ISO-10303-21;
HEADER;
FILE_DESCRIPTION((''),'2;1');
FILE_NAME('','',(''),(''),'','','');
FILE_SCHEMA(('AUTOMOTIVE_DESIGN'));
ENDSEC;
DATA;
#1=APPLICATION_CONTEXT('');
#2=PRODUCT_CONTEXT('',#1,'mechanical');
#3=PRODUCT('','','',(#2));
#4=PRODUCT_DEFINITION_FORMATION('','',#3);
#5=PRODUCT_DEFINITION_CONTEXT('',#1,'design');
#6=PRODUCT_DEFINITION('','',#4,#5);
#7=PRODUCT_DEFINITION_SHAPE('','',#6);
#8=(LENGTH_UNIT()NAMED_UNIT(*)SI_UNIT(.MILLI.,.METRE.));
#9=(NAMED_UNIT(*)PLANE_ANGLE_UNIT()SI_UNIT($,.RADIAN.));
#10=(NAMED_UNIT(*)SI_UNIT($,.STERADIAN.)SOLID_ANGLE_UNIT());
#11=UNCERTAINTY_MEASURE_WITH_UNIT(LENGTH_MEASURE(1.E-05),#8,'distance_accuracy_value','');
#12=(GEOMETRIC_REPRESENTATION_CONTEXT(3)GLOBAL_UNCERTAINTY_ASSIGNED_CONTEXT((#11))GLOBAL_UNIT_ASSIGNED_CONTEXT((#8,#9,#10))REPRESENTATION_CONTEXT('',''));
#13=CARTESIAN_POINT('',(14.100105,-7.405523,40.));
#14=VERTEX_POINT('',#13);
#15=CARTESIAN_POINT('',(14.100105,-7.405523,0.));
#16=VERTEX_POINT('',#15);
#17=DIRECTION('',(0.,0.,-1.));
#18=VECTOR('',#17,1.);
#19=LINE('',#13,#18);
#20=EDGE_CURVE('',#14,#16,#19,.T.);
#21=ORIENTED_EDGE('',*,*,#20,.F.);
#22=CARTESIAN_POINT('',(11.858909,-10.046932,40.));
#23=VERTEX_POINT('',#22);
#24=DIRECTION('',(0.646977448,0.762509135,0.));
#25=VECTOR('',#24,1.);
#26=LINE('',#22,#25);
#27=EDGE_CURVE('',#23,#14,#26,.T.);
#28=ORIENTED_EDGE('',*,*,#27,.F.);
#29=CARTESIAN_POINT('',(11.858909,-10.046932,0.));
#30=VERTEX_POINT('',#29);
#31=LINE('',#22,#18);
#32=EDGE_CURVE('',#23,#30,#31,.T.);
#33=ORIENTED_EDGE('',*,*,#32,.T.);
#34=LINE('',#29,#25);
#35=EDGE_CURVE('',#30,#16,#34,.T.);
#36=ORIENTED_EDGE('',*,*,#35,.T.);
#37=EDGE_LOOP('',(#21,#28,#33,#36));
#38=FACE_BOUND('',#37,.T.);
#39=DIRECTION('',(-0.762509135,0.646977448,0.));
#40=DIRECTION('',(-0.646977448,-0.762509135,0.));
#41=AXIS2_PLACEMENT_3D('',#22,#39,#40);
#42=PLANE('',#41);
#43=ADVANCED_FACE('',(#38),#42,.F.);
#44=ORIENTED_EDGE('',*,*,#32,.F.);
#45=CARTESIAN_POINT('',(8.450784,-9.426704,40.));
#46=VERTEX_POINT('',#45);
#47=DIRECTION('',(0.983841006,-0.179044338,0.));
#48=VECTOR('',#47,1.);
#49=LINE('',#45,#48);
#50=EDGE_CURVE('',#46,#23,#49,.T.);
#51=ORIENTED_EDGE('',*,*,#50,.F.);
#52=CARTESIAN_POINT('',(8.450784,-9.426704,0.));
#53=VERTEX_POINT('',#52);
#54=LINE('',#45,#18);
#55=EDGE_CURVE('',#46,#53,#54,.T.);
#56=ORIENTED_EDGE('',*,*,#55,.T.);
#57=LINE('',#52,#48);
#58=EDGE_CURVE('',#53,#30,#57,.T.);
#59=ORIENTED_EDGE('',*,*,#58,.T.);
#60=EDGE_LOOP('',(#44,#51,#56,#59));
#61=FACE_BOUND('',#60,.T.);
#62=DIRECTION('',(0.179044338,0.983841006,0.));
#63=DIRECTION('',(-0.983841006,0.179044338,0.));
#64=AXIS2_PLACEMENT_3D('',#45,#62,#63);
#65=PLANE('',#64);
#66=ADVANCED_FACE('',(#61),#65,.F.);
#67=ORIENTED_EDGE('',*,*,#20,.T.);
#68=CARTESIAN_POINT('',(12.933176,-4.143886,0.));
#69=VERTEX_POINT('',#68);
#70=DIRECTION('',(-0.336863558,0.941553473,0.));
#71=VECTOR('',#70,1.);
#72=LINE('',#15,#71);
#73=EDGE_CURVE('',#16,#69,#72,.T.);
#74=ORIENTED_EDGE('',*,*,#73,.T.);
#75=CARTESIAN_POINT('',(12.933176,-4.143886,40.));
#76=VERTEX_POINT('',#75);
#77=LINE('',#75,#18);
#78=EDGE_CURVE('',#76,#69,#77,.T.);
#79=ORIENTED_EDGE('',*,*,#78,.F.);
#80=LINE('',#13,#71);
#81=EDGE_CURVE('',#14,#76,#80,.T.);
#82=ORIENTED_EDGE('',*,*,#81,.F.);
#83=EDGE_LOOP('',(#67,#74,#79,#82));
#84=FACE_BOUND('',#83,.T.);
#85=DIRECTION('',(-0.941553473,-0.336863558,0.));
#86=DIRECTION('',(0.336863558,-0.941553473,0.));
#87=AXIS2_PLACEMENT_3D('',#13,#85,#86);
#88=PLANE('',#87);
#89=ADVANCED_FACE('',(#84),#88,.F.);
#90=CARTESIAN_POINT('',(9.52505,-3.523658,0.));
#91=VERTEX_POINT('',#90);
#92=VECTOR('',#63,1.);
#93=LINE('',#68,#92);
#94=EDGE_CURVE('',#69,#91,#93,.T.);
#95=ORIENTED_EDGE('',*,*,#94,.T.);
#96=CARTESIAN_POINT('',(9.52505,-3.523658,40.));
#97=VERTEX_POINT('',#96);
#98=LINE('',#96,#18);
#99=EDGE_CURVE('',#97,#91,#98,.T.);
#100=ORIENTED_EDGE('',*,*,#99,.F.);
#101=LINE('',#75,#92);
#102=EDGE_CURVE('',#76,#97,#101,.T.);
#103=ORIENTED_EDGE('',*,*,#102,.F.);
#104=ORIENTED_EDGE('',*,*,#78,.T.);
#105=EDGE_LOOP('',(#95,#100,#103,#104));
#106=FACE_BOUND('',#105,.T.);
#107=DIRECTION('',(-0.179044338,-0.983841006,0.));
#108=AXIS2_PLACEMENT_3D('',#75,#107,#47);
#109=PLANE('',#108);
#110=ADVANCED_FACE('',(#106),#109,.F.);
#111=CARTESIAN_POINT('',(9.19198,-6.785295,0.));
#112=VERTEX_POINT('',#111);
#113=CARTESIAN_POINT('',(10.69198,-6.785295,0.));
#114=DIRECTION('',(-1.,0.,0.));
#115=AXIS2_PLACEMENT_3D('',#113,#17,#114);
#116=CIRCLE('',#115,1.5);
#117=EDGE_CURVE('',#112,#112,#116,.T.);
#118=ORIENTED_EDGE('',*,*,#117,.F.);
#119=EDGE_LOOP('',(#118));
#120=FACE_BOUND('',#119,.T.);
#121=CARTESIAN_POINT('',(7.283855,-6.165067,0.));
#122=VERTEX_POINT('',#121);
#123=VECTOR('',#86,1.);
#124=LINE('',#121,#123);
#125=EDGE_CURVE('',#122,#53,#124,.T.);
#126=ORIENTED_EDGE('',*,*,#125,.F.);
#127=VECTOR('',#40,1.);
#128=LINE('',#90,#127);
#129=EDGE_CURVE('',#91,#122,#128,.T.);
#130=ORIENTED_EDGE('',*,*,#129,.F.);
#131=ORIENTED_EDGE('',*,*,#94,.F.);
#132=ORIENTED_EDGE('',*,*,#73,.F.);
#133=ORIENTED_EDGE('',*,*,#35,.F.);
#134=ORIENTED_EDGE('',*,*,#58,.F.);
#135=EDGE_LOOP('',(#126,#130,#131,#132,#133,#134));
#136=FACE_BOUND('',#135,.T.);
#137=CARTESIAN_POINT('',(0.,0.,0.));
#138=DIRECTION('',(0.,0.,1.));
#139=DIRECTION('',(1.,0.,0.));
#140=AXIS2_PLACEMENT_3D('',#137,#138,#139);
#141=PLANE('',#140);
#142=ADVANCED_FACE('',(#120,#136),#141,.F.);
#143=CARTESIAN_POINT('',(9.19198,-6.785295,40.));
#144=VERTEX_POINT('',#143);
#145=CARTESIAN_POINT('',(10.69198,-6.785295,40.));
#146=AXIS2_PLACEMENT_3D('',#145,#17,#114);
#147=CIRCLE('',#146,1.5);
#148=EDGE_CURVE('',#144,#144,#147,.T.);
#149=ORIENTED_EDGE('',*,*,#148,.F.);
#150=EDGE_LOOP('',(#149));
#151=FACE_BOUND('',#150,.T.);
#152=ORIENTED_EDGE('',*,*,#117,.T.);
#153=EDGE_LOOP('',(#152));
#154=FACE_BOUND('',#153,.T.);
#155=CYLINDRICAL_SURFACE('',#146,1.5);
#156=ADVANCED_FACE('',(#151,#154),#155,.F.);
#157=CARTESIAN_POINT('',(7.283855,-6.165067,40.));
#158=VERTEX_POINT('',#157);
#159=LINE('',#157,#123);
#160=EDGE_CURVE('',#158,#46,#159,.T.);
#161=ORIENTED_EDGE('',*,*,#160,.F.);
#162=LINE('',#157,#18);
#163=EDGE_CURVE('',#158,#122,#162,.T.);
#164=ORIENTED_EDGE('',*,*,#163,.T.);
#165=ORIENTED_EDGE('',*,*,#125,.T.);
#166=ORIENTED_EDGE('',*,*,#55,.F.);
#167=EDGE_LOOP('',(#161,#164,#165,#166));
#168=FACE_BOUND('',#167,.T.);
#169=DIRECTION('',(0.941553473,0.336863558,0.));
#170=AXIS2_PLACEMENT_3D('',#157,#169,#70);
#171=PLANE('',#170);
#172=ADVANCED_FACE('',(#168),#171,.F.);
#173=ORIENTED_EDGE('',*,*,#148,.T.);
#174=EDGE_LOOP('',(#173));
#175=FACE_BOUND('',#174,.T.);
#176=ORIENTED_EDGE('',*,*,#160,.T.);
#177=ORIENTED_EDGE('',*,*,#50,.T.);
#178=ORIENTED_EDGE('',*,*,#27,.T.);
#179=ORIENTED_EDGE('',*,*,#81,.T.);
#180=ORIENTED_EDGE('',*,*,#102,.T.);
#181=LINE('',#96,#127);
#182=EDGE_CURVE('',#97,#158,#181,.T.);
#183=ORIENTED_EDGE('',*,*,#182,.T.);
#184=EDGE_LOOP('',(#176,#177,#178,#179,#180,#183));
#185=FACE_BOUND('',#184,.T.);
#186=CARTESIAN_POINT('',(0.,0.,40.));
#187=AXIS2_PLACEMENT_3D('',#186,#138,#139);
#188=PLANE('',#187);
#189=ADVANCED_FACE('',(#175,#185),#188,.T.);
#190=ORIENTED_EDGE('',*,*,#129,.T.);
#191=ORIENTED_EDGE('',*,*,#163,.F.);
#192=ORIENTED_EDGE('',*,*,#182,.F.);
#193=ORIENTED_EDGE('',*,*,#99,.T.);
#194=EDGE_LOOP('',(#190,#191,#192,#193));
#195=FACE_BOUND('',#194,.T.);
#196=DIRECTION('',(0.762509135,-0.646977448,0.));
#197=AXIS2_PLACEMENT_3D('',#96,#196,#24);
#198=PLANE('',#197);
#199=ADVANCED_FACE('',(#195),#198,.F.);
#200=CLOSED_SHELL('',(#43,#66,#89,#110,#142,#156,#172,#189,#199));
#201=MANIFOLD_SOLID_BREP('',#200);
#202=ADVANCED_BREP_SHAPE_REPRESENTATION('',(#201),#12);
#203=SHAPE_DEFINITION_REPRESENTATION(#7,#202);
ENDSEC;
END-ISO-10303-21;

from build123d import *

# Parameters (mm, degrees)
RESSALTO_EXTRUS_O1_DEPTH = 40
ESBO_O4_R                = 1.5
CORTE_EXTRUS_O2_DEPTH    = 40


with BuildPart() as part:
    # Esboço1 → Ressalto-extrusão1 (new body)
    with BuildSketch(Plane.XY):
        Polygon((12.933175524, -4.143885809), (9.525050306, -3.523658029), (7.283854683, -6.165067156), (8.450784277, -9.426704064), (11.858909495, -10.046931845), (14.100105118, -7.405522718), align=None)
    extrude(amount=RESSALTO_EXTRUS_O1_DEPTH)

    # Esboço4 → Corte-extrusão2 (cut)
    with BuildSketch(Plane(origin=(0, 0, 0), x_dir=(-1, 0, 0), z_dir=(0, 0, -1))):
        with Locations((-10.691979901, -6.785294937)):
            Circle(ESBO_O4_R)
    extrude(amount=-CORTE_EXTRUS_O2_DEPTH, mode=Mode.SUBTRACT)


solid = part.part
